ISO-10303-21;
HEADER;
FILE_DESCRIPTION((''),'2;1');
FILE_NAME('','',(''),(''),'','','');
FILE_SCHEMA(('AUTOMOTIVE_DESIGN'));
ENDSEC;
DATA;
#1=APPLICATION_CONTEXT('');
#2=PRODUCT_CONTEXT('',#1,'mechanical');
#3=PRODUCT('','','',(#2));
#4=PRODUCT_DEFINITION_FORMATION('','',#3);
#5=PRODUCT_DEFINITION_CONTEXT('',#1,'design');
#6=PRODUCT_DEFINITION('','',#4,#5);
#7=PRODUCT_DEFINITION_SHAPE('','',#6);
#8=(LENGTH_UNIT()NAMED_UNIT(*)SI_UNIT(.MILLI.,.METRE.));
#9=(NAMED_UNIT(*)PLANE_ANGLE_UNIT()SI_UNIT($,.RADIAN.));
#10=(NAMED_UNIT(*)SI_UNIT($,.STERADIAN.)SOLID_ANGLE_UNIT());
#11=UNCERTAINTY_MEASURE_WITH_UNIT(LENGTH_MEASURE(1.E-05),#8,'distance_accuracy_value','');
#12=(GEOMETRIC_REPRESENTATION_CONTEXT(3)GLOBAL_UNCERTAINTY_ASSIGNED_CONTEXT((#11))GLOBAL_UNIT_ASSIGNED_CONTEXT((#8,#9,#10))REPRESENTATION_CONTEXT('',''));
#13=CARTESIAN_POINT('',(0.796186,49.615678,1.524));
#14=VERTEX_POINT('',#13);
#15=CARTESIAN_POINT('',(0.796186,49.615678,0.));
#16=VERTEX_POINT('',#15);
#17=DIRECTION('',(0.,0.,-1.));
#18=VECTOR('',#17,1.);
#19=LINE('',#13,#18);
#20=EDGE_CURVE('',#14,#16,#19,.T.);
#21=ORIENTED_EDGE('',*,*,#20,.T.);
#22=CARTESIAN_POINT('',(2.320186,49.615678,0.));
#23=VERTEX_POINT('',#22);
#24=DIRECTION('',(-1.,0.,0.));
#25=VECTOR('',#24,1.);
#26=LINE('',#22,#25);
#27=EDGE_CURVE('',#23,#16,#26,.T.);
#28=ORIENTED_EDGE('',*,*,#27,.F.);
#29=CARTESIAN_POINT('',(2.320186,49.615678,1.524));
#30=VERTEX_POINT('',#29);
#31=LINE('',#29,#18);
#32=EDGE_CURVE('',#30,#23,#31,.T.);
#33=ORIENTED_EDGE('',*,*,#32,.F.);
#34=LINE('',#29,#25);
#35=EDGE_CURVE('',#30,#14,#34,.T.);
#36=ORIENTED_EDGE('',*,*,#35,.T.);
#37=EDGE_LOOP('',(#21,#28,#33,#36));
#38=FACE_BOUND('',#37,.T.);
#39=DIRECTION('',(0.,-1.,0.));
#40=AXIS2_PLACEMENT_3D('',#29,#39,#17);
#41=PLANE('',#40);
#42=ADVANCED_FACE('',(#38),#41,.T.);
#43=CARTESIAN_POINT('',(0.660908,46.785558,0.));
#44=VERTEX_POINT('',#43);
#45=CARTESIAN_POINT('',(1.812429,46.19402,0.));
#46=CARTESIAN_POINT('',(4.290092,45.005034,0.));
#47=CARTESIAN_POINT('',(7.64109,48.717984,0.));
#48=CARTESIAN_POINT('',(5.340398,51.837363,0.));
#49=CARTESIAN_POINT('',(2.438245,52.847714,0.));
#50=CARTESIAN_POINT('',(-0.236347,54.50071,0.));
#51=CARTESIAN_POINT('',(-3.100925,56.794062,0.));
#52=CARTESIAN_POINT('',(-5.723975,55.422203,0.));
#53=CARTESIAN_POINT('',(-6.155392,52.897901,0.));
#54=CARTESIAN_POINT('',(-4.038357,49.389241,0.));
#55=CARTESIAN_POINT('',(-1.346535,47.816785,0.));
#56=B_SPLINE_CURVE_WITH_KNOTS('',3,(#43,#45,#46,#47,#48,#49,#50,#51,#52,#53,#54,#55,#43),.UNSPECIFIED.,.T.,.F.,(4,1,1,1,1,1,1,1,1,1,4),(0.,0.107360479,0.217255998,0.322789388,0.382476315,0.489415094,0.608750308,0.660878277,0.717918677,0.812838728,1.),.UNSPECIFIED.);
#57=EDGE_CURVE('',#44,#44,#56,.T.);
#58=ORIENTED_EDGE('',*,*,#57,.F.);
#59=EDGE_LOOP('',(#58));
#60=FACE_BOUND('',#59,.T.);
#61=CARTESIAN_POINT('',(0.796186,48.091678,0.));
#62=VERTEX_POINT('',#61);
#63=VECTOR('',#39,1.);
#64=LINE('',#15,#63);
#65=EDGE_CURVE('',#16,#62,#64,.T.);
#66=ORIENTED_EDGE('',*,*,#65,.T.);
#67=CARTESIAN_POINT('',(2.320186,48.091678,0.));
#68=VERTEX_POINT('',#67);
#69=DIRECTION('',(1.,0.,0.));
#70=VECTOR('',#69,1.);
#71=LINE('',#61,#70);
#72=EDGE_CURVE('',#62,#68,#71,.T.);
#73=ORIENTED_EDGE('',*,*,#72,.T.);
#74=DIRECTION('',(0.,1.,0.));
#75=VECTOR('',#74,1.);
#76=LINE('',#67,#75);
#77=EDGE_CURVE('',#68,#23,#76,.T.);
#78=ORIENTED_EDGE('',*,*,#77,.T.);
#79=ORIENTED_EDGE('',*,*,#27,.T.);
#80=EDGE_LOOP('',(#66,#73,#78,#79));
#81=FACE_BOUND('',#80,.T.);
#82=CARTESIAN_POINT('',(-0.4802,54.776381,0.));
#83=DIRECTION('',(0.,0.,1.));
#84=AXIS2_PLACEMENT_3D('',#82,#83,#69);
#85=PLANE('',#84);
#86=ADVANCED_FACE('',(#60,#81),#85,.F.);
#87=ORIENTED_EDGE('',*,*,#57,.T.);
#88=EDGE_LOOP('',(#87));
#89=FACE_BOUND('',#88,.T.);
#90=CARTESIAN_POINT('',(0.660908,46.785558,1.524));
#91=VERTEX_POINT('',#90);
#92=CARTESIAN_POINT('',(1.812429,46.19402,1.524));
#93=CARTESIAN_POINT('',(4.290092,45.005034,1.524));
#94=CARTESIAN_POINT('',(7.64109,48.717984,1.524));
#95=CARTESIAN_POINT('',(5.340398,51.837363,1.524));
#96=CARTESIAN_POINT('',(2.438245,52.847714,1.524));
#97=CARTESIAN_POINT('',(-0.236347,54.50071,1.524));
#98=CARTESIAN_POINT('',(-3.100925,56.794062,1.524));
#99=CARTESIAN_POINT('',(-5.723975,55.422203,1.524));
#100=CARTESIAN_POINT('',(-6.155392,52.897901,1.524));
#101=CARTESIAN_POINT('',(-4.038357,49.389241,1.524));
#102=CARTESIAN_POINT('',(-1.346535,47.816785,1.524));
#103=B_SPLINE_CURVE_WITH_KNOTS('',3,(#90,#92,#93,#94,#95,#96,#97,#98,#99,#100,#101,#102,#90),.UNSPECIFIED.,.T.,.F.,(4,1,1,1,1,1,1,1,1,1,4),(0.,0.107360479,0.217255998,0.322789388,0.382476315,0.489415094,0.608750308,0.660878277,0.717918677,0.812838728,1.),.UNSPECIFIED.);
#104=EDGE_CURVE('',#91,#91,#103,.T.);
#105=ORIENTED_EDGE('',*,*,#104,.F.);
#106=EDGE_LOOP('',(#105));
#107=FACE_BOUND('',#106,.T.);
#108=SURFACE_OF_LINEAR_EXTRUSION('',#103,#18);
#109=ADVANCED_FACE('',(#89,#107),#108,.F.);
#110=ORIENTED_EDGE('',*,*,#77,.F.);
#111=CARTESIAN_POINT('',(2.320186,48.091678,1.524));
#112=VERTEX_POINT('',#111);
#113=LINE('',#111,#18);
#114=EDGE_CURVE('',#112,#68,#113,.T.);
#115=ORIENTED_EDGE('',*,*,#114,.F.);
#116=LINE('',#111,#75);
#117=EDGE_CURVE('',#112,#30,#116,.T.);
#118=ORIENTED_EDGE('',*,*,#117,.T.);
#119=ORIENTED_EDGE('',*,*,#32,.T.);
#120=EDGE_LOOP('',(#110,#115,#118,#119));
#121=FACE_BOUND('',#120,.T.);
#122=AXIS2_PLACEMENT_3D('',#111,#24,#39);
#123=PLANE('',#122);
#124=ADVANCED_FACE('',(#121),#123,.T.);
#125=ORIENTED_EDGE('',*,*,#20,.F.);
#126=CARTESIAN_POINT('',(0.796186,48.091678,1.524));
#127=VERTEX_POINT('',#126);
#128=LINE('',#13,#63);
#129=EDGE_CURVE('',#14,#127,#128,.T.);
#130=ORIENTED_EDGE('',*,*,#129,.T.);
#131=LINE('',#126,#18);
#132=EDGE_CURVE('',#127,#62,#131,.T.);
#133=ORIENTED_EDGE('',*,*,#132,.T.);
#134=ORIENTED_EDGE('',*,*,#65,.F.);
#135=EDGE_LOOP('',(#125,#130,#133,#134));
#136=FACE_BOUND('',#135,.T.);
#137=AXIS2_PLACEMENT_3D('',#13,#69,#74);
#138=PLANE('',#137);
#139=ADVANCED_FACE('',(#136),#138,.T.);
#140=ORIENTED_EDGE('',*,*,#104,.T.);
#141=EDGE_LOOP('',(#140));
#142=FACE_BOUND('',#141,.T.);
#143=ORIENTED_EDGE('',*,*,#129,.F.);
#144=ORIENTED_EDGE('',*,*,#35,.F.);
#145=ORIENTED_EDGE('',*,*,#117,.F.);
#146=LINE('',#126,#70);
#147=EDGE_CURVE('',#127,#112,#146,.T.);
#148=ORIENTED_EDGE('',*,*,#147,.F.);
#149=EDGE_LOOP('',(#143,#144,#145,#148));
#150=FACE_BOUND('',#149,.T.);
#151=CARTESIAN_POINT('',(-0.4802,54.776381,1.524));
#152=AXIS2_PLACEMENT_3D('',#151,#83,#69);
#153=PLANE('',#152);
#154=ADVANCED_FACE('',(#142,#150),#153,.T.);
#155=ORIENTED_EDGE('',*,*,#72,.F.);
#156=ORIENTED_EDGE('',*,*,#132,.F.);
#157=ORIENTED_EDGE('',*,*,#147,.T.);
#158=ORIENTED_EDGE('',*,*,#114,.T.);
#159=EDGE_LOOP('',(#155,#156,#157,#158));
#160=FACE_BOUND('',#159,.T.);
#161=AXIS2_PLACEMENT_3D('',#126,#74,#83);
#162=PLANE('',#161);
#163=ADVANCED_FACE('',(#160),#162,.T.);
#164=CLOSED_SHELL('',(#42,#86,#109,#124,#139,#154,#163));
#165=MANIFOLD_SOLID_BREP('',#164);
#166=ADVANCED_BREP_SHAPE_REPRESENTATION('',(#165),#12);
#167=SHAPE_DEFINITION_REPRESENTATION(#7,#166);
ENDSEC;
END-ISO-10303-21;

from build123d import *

# Parameters (mm, degrees)
SKETCH1_W           = 1.524
SKETCH1_H           = 1.524
BOSS_EXTRUDE1_DEPTH = 1.524


with BuildPart() as part:
    # Sketch1 → Boss-Extrude1 (new body)
    with BuildSketch(Plane.XY):
        with BuildLine():
            add(Edge.make_bspline(
                [(0.660908285, 46.785558308), (-1.346534542, 47.816784902), (-4.038356636, 49.38924119), (-6.155392056, 52.897901142), (-5.723974726, 55.422202791), (-3.100925458, 56.794062303), (-0.236346841, 54.500709799), (2.438244997, 52.847713917), (5.340397971, 51.837363148), (7.641089541, 48.717984147), (4.290092084, 45.005033917), (1.812428684, 46.194020436), (0.660908285, 46.785558308)],
                knots=[0, 0, 0, 0, 0.187161272, 0.282081323, 0.339121723, 0.391249692, 0.510584906, 0.617523685, 0.677210612, 0.782744002, 0.892639521, 1, 1, 1, 1], degree=3))
        make_face()
        with Locations((1.55818596, 48.853678484)):
            Rectangle(SKETCH1_W, SKETCH1_H, mode=Mode.SUBTRACT)
    extrude(amount=BOSS_EXTRUDE1_DEPTH)


solid = part.part
